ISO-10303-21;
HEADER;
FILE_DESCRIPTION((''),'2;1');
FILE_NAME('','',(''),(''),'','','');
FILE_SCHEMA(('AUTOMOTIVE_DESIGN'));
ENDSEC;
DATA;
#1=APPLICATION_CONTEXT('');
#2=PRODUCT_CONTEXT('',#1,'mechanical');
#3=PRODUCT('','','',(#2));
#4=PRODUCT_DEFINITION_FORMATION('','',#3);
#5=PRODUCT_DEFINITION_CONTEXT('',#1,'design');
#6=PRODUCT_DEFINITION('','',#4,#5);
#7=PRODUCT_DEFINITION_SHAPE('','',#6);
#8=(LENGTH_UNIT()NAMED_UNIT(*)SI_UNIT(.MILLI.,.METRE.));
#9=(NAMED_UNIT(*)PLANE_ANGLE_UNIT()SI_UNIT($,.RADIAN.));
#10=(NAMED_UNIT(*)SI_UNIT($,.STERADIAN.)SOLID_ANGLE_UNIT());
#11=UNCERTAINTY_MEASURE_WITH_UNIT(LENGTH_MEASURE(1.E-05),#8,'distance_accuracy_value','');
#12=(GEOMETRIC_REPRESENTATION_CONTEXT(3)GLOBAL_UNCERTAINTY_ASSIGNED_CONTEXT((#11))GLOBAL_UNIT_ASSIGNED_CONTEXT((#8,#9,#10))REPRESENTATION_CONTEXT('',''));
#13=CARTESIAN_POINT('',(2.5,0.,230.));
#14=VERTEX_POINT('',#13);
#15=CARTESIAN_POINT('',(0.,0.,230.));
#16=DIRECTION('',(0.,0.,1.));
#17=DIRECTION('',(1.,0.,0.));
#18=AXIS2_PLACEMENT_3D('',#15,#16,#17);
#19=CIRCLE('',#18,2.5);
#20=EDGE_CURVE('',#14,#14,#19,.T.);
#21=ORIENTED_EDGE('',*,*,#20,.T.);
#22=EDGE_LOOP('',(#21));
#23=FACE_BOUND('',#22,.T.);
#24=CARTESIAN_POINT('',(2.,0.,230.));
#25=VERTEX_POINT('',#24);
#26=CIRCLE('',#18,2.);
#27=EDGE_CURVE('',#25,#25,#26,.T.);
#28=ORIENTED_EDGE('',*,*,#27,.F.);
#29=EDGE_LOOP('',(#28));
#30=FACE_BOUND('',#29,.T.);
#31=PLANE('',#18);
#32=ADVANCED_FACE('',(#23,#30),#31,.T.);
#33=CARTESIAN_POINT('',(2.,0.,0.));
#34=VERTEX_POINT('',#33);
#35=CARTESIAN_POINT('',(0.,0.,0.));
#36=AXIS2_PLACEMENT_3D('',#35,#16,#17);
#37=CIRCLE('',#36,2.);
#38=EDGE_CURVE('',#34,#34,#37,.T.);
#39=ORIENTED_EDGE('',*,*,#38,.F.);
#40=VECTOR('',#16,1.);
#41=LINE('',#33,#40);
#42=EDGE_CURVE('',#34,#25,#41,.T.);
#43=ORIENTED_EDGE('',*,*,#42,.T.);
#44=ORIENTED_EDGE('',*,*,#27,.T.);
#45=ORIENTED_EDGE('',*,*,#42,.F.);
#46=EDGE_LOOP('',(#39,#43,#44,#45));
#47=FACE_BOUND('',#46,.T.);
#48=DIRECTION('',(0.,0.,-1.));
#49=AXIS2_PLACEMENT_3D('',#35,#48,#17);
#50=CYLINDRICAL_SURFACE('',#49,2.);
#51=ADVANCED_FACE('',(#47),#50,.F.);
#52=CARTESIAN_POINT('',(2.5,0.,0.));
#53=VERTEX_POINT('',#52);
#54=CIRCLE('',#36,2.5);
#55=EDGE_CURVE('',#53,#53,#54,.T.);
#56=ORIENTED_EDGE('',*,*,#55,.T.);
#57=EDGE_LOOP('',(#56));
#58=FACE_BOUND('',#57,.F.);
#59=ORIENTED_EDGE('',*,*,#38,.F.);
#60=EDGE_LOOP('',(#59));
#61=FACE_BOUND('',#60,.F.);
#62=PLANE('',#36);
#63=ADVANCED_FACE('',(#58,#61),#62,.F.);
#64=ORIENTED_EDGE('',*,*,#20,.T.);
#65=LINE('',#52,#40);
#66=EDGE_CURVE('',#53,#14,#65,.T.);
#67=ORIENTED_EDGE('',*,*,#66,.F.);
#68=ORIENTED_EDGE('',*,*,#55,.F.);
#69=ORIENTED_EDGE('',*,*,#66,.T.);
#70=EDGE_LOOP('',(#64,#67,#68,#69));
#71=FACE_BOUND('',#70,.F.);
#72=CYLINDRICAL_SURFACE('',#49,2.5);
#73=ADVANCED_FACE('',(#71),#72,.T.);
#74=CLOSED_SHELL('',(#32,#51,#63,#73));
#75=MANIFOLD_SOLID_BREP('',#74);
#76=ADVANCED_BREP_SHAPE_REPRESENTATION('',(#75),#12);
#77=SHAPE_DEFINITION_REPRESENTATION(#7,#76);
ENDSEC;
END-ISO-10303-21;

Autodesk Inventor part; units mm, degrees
ref_plane "YZ Plane" through (0, 0, 0) normal (1, 0, 0) x (0, 1, 0)
ref_plane "XZ Plane" through (0, 0, 0) normal (0, 1, 0) x (-1, 0, 0)
ref_plane "XY Plane" through (0, 0, 0) normal (0, 0, 1) x (1, 0, 0)
sketch "Sketch1" plane through (0, 0, 0) normal (0, 0, 1) x (1, 0, 0)
  circle A0 centre (0, 0) radius 2
  circle A1 centre (0, 0) radius 2.5
  dimension "d0" = 4
  dimension "d1" = 5
extrude "Extrusion1" add sketch "Sketch1" along normal blind 230
properties part number "XGEN_spacer-long"
